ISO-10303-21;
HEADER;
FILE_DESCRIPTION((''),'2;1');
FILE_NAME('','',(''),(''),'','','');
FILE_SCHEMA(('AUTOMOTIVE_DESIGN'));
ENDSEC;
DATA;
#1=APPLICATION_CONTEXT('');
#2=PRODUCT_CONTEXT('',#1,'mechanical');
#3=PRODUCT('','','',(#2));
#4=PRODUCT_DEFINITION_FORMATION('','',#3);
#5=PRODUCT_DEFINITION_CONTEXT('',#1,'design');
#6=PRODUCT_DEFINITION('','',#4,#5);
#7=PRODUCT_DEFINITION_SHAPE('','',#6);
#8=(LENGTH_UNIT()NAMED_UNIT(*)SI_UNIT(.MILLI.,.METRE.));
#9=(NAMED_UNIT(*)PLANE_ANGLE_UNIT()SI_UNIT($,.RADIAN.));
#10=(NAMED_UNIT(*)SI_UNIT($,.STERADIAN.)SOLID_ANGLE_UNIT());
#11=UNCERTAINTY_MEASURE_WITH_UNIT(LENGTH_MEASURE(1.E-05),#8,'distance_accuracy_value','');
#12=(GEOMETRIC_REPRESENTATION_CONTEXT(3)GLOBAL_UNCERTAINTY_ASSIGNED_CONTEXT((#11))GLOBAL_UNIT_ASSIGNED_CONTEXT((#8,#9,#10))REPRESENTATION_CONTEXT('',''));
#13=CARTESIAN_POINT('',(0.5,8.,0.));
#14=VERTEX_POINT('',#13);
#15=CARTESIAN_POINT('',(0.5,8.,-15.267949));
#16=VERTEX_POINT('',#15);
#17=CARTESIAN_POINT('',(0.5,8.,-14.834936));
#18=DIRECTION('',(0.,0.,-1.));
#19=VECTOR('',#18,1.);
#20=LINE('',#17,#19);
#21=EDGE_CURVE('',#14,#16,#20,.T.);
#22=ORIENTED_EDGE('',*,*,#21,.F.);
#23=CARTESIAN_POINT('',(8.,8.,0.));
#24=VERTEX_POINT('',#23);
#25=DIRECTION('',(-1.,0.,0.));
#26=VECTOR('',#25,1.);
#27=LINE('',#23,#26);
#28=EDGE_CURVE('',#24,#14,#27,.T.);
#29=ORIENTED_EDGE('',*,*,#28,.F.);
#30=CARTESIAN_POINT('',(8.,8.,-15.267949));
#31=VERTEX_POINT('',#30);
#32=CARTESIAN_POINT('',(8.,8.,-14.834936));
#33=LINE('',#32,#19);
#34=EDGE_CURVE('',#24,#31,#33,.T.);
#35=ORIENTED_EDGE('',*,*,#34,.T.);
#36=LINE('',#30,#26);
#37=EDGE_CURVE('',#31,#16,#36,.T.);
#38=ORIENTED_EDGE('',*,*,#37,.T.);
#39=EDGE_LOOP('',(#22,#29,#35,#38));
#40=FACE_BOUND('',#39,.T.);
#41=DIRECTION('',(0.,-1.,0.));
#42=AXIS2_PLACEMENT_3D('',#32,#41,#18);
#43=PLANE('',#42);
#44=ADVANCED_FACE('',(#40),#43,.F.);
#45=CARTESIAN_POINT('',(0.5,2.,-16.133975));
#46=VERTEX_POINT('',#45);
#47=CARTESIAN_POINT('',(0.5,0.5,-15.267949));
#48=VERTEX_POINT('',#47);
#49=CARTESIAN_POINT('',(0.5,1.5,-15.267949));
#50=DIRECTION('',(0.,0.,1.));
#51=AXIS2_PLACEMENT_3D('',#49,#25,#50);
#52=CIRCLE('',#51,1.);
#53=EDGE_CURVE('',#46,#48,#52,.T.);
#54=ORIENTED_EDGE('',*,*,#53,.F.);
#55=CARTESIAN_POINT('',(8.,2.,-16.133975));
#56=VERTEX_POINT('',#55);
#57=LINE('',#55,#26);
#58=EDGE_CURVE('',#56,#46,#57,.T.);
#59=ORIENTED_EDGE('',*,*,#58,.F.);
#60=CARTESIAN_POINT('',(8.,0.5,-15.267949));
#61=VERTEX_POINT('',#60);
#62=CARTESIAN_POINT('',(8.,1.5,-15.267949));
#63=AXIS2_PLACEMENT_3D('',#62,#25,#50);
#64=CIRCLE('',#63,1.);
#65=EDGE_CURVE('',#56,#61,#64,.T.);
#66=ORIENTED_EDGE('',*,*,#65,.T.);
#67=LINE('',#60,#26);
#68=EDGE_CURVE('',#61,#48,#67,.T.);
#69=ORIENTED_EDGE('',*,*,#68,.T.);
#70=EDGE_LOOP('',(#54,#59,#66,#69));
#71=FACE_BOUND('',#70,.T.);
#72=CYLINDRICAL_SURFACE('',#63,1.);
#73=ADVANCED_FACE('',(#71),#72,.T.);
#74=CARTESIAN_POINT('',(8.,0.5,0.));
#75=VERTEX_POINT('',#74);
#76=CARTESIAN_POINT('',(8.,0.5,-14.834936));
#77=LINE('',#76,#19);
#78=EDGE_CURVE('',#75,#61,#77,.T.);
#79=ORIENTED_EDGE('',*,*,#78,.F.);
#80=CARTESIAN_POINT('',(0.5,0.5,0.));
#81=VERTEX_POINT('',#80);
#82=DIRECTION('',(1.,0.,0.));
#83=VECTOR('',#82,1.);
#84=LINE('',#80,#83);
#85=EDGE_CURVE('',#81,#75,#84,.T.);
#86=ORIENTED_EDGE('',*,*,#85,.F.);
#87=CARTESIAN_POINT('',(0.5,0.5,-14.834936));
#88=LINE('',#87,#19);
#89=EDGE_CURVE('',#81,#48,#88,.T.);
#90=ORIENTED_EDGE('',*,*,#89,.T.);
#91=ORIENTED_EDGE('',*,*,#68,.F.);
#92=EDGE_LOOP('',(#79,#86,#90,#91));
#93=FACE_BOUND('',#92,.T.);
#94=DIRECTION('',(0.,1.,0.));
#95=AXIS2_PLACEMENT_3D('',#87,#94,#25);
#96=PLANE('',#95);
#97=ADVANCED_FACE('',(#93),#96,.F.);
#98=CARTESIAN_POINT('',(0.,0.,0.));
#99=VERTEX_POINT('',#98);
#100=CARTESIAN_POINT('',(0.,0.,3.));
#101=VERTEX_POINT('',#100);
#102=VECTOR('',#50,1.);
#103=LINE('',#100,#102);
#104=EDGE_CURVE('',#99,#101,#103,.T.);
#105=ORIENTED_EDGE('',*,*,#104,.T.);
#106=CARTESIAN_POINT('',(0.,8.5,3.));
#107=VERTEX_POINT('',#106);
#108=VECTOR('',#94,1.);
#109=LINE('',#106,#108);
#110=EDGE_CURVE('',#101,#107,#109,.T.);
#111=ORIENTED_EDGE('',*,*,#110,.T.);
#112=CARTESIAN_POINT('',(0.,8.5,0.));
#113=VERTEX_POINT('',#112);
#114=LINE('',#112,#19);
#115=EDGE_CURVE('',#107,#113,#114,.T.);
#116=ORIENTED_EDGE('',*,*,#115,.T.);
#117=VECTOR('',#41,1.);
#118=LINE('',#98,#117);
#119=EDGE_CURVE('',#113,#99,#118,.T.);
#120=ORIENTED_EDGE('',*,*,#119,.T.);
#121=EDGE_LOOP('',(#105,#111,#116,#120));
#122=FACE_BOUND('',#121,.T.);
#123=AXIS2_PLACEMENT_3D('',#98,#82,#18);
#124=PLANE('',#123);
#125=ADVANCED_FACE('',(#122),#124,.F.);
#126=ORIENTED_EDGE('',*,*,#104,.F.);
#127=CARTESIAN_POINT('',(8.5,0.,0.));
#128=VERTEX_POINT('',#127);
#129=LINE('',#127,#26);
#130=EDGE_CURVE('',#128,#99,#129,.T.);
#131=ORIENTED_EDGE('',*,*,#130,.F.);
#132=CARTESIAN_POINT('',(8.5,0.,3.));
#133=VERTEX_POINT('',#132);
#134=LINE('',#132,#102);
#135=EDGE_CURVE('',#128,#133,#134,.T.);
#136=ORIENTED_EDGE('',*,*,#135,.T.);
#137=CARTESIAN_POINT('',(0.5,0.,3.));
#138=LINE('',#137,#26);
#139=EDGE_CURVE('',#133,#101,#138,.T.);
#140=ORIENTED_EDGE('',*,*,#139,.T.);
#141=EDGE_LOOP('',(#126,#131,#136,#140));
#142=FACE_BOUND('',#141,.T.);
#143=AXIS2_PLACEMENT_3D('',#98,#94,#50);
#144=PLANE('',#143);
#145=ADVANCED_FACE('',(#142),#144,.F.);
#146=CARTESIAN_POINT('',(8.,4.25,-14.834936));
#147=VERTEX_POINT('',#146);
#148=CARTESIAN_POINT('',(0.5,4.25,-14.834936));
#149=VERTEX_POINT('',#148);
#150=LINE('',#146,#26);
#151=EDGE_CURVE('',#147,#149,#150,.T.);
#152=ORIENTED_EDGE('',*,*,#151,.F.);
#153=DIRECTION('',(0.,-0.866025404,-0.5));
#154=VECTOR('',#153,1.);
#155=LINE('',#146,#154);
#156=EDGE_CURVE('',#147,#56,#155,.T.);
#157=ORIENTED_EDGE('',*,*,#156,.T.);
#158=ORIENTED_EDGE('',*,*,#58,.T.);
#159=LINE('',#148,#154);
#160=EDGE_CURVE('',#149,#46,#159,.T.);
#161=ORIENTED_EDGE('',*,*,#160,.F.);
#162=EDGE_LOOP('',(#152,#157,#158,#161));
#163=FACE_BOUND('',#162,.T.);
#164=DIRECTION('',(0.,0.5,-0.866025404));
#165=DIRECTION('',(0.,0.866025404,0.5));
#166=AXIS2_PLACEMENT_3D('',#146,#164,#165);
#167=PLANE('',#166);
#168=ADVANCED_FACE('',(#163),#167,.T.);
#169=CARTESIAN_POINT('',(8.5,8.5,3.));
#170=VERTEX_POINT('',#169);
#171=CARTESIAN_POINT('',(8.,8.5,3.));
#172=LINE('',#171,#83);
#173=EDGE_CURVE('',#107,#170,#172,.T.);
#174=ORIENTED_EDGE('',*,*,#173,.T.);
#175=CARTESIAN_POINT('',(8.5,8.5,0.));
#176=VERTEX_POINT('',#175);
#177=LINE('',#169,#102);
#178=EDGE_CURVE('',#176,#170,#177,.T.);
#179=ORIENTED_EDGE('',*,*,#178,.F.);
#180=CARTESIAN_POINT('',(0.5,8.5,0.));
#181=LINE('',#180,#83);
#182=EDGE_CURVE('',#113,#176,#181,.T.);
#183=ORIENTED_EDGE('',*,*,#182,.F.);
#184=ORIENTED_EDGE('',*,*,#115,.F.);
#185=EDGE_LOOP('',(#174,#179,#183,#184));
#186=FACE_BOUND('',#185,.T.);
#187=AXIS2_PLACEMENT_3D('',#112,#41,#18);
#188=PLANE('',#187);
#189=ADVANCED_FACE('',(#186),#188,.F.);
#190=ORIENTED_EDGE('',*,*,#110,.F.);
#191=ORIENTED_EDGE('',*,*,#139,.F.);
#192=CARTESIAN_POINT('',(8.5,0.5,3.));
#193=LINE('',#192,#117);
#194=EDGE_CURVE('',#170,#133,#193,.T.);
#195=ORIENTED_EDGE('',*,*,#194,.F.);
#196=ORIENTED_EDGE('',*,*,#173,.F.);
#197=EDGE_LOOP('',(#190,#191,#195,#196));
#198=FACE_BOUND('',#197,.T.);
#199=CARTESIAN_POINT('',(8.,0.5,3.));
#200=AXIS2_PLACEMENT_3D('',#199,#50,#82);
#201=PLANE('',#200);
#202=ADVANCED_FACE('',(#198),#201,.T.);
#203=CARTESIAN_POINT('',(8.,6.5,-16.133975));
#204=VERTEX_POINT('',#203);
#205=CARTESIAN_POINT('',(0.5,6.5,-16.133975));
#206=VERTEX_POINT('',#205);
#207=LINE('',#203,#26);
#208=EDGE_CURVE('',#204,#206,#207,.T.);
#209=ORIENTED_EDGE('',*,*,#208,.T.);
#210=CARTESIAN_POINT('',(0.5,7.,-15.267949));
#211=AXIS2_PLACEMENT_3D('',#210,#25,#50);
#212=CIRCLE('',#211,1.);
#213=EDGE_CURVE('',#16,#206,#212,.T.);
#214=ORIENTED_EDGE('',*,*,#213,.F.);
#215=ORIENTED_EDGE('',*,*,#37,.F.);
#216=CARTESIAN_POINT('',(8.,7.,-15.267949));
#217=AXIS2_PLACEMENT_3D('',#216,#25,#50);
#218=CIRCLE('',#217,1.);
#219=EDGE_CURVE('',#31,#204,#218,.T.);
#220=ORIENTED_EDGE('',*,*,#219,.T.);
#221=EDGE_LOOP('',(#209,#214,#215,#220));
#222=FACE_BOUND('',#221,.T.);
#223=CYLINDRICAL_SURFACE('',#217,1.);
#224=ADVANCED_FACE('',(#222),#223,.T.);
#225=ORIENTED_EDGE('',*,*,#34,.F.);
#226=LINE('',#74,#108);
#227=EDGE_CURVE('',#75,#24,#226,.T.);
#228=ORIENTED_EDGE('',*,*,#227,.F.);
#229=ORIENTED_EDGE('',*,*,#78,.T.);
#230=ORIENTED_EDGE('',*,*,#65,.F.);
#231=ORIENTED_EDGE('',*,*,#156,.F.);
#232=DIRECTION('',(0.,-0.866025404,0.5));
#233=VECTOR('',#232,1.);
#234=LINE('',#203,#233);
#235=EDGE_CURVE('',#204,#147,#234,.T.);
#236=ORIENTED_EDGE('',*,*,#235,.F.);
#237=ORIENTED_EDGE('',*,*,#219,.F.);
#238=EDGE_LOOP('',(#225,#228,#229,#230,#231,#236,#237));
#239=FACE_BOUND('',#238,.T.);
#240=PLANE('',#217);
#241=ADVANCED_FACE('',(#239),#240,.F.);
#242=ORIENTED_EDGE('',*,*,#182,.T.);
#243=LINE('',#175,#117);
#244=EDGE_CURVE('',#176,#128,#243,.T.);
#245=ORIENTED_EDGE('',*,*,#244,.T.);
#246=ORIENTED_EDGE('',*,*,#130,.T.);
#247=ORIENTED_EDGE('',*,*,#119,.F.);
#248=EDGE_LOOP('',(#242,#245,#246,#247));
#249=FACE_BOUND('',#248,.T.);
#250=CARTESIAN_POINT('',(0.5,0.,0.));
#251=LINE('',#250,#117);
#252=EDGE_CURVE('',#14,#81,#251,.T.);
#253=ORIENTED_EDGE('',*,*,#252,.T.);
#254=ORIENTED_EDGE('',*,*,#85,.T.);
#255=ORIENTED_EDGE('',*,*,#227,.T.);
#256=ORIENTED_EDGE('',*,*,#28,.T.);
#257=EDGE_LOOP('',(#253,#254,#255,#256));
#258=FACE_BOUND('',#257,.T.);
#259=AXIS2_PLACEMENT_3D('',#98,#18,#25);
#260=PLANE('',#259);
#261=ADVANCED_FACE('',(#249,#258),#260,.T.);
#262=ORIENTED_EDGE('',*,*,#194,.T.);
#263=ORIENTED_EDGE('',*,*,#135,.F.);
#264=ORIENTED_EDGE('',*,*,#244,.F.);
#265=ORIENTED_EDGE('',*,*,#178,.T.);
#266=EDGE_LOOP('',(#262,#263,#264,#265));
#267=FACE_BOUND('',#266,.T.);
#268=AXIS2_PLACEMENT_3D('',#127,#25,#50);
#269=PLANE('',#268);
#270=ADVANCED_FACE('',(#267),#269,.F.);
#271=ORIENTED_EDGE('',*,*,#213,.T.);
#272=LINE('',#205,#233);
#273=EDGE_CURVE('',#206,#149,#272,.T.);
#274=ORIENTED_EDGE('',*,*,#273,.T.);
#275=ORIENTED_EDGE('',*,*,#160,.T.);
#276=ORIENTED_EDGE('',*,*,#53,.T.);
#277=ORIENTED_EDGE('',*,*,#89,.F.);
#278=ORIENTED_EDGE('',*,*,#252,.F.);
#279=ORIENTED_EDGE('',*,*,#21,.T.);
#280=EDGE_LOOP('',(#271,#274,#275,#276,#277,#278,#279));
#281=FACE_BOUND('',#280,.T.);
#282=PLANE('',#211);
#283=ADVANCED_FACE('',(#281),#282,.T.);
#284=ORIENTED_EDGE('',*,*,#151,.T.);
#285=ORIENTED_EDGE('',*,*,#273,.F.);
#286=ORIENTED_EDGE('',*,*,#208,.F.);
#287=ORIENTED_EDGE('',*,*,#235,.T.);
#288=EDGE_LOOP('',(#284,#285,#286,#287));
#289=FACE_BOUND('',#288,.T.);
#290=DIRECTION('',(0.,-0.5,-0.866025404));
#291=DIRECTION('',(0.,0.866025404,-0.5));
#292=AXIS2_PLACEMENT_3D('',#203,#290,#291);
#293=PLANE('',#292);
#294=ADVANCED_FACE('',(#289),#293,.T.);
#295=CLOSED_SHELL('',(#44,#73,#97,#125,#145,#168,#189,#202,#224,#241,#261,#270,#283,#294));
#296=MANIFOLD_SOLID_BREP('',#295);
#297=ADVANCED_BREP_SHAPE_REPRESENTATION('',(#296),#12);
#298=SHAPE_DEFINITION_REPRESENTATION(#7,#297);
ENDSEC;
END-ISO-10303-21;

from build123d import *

# Parameters (mm, degrees)
BOSS_EXTRUDE1_DEPTH = 7.5
SKETCH2_W           = 7.5
SKETCH2_H           = 18.267949192
BOSS_EXTRUDE2_DEPTH = 0.5
SKETCH3_W           = 18.267949192
SKETCH3_H           = 8
BOSS_EXTRUDE3_DEPTH = 0.5
SKETCH4_W           = 8
SKETCH4_H           = 18.267949192
BOSS_EXTRUDE4_DEPTH = 0.5
CUT_EXTRUDE1_DEPTH  = 0.433012702
CUT_EXTRUDE2_DEPTH  = 14.834936491
SKETCH7_W           = 3
SKETCH7_H           = 8.5
BOSS_EXTRUDE5_DEPTH = 0.5


with BuildPart() as part:
    # Sketch1 → Boss-Extrude1 (new body)
    with BuildSketch(Plane(origin=(0.5, 0, 0), x_dir=(0, -1, 0), z_dir=(-1, 0, 0))):
        with BuildLine():
            Line((-0.5, 3), (-8, 3))
            Line((-8, 3), (-8, -15.267949192))
            ThreePointArc((-8, -15.267949192), (-7.5, -16.133974596), (-6.5, -16.133974596))
            Line((-6.5, -16.133974596), (-4.25, -14.834936491))
            Line((-4.25, -14.834936491), (-2, -16.133974596))
            ThreePointArc((-2, -16.133974596), (-1, -16.133974596), (-0.5, -15.267949192))
            Line((-0.5, -15.267949192), (-0.5, 3))
        make_face()
    extrude(amount=-BOSS_EXTRUDE1_DEPTH)

    # Sketch2 → Boss-Extrude2 (add)
    with BuildSketch(Plane(origin=(0, 8, 0), x_dir=(-1, 0, 0), z_dir=(0, 1, 0))):
        with Locations((-4.25, -6.133974596)):
            Rectangle(SKETCH2_W, SKETCH2_H)
    extrude(amount=BOSS_EXTRUDE2_DEPTH)

    # Sketch3 → Boss-Extrude3 (add)
    with BuildSketch(Plane(origin=(8, 0, 0), x_dir=(0, 0, -1), z_dir=(1, 0, 0))):
        with Locations((6.133974596, 4.5)):
            Rectangle(SKETCH3_W, SKETCH3_H)
    extrude(amount=BOSS_EXTRUDE3_DEPTH)

    # Sketch4 → Boss-Extrude4 (add)
    with BuildSketch(Plane.XZ.offset(-0.5)):
        with Locations((4.5, -6.133974596)):
            Rectangle(SKETCH4_W, SKETCH4_H)
    extrude(amount=BOSS_EXTRUDE4_DEPTH)

    # Sketch5 → Cut-Extrude1 (cut)
    with BuildSketch(Plane(origin=(0, 0, -15.267949192), x_dir=(-1, 0, 0), z_dir=(0, 0, -1))):
        Polygon((-0.5, 8), (-0.5, 8.5), (-8.5, 8.5), (-8.5, 0), (-0.5, 0), (-0.5, 0.5), (-8, 0.5), (-8, 4.25), (-8, 8), align=None)
    extrude(amount=-CUT_EXTRUDE1_DEPTH, mode=Mode.SUBTRACT)

    # Sketch6 → Cut-Extrude2 (cut)
    with BuildSketch(Plane(origin=(0, 0, -14.834936491), x_dir=(-1, 0, 0), z_dir=(0, 0, -1))):
        Polygon((-0.5, 8), (-0.5, 8.5), (-8.5, 8.5), (-8.5, 0), (-0.5, 0), (-0.5, 0.5), (-8, 0.5), (-8, 8), align=None)
    extrude(amount=-CUT_EXTRUDE2_DEPTH, mode=Mode.SUBTRACT)

    # Sketch7 → Boss-Extrude5 (add)
    with BuildSketch(Plane.ZY.offset(-0.5)):
        with Locations((1.5, 4.25)):
            Rectangle(SKETCH7_W, SKETCH7_H)
    extrude(amount=BOSS_EXTRUDE5_DEPTH)


solid = part.part
